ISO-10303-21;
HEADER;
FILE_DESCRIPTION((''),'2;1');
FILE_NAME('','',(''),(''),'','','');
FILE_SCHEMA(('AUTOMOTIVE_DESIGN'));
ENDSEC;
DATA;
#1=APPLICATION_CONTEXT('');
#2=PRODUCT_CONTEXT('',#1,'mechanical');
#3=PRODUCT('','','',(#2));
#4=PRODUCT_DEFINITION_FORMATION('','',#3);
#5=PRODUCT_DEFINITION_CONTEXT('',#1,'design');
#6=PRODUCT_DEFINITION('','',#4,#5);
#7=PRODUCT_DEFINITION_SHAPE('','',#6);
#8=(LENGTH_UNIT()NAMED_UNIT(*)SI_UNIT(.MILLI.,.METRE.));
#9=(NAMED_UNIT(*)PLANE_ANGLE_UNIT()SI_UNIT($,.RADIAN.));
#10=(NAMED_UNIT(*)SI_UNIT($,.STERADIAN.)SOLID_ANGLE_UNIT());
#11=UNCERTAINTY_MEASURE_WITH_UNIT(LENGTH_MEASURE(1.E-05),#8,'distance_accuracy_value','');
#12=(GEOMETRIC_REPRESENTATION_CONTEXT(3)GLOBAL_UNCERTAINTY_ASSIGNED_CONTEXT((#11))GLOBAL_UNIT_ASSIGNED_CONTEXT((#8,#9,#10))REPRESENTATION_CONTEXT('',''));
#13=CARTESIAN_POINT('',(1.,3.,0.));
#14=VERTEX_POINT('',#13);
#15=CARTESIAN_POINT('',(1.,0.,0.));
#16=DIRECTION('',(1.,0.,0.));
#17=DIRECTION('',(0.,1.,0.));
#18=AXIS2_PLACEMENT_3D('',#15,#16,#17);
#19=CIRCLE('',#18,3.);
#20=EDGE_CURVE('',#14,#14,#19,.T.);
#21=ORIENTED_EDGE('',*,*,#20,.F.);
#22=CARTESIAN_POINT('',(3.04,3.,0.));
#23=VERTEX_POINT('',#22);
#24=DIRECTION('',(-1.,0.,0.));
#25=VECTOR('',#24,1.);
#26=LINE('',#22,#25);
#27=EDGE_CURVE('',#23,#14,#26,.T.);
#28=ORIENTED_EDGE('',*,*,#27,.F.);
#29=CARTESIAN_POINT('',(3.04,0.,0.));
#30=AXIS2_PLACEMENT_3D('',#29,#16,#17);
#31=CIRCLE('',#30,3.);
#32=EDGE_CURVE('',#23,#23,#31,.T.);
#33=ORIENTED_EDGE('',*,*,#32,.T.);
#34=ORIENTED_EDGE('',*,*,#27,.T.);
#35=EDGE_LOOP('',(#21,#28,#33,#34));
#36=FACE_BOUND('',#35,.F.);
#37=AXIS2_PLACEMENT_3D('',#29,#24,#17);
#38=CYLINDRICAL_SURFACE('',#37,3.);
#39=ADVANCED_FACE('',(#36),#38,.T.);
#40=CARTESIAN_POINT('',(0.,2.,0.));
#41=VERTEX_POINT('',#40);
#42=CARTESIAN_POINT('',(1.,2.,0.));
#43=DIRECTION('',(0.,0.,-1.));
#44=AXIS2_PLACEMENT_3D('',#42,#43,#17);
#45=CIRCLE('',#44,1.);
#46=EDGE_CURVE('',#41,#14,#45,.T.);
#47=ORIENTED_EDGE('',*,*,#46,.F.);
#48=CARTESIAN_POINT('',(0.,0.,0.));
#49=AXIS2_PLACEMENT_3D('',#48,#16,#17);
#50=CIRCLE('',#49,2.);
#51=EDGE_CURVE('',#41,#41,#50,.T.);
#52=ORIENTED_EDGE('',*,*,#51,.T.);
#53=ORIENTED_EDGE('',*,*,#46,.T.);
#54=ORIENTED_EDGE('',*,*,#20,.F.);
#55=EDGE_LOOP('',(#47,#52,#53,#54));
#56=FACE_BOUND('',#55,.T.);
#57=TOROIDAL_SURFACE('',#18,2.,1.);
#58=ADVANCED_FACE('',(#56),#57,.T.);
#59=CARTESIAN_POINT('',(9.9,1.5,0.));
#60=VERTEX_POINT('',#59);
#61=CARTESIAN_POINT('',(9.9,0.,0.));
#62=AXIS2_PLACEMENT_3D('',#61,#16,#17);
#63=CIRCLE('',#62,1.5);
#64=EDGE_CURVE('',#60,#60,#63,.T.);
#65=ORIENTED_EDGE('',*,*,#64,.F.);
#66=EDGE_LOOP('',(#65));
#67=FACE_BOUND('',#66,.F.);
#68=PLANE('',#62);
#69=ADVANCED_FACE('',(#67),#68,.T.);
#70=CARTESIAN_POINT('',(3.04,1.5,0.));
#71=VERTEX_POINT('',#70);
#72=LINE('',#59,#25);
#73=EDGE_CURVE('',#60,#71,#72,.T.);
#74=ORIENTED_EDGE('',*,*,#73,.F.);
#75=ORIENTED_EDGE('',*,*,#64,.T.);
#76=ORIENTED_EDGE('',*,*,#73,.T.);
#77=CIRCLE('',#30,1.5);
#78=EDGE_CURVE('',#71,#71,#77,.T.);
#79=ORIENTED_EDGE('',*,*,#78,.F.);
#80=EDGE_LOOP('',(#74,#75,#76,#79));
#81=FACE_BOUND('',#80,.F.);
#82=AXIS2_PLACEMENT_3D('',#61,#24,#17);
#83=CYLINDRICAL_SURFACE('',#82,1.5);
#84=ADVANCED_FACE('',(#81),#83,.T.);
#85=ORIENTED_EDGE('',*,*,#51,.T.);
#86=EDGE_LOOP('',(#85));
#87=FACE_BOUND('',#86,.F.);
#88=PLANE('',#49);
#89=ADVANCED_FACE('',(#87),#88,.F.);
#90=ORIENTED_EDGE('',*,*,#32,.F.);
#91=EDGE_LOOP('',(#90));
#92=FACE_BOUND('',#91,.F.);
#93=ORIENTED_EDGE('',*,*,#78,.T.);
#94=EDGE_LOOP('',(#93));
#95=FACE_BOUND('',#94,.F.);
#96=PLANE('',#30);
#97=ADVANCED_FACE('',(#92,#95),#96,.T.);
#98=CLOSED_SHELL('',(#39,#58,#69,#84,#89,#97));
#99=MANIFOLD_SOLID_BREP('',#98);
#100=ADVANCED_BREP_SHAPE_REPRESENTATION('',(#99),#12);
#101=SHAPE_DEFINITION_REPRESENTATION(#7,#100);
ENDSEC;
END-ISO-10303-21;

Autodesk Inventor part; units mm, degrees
ref_plane "YZ Plane" through (0, 0, 0) normal (1, 0, 0) x (0, 1, 0)
ref_plane "XZ Plane" through (0, 0, 0) normal (0, 1, 0) x (-1, 0, 0)
ref_plane "XY Plane" through (0, 0, 0) normal (0, 0, 1) x (1, 0, 0)
sketch "Sketch1" plane through (0, 0, 0) normal (0, 0, 1) x (1, 0, 0)
  line L0 (0, 0) -> (3.04, 0)
  line L1 (3.04, 0) -> (3.04, 3)
  line L2 (3.04, 3) -> (0, 3)
  line L3 (0, 3) -> (0, 0)
  line L4 (0, 0) -> (9.9, 0)
  line L5 (9.9, 0) -> (9.9, 1.5)
  line L6 (9.9, 1.5) -> (0, 1.5)
  line L7 (0, 1.5) -> (0, 0)
  point P0 (3.04, 1.5)
  dimension "d0" = 3.04
  dimension "d1" = 3
  dimension "d2" = 9.9
  dimension "d3" = 1.5
revolve "Revolution1" add sketch "Sketch1" angle 360 about axis through (0, 0, 0) along (1, 0, 0)
fillet "Fillet1" radius 1 1 edges at (0, -3, 0)
properties part number "imu screws"
